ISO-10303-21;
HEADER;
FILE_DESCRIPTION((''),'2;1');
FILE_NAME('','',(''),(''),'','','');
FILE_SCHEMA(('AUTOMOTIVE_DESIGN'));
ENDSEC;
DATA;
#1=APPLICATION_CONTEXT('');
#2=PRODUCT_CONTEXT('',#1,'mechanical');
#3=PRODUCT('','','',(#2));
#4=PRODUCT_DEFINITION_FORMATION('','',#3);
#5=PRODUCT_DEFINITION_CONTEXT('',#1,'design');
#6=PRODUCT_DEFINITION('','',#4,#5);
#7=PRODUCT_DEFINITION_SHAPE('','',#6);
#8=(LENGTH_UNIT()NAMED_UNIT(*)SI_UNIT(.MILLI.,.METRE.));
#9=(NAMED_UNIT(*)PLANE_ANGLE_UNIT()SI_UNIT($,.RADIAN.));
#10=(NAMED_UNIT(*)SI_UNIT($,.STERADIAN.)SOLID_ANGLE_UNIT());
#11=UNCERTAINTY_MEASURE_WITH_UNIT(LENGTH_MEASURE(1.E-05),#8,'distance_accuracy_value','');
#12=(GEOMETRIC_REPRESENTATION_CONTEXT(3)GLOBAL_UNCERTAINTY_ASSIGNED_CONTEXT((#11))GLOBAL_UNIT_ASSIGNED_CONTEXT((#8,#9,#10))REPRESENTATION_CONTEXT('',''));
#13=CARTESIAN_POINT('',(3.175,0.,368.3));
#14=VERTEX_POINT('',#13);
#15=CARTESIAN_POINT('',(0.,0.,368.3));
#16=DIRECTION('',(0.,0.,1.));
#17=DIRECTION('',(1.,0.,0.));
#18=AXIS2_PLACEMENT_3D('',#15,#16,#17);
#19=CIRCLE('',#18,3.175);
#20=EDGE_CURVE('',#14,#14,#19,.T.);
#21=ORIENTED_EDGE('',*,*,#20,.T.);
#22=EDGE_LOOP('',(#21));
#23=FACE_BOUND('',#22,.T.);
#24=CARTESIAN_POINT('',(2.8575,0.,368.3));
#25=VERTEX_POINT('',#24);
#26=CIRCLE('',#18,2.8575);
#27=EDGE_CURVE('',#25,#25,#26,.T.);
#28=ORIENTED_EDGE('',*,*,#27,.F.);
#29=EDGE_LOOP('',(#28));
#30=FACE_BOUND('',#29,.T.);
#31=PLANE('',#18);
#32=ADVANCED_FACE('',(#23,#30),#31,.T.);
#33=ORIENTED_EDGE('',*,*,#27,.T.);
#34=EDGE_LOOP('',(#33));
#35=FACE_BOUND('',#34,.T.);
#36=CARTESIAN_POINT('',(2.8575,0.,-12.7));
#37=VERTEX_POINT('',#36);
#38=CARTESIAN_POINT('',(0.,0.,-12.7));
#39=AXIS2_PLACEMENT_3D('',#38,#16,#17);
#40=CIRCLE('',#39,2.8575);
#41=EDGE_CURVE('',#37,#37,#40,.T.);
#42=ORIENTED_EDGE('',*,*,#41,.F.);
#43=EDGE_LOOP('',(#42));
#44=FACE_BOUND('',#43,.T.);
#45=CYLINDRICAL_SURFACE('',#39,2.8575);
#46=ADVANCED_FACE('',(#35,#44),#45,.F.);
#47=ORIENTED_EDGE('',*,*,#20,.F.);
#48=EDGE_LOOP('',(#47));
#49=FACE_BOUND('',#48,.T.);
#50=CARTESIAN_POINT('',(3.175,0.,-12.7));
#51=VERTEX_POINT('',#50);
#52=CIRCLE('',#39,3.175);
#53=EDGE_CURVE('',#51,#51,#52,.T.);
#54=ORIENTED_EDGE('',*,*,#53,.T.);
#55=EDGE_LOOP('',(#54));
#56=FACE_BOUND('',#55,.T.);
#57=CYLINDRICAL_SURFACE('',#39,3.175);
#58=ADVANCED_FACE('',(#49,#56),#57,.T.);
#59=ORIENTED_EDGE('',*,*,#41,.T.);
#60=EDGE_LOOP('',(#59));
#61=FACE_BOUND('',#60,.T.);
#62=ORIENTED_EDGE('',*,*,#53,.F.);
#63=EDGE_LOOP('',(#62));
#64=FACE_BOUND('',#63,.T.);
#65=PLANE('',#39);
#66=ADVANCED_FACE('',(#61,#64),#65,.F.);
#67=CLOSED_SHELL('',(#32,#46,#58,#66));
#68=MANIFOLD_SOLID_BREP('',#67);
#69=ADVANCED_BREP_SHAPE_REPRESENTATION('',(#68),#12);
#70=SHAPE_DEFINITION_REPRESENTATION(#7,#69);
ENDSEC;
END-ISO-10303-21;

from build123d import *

# Parameters (mm, degrees)
BOSS_EXTRUDE1_DEPTH      = 368.3
BOSS_EXTRUDE1_DEPTH_BACK = 12.7
SKETCH1_R                = 3.175
SKETCH1_R_2              = 2.8575


with BuildPart() as part:
    # Sketch1 → Boss-Extrude1 (new, two sides: drawn at the far end of the back side and taken through both)
    with BuildSketch(Plane.XY.offset(-BOSS_EXTRUDE1_DEPTH_BACK)):
        Circle(SKETCH1_R)
        Circle(SKETCH1_R_2, mode=Mode.SUBTRACT)
    extrude(amount=BOSS_EXTRUDE1_DEPTH + BOSS_EXTRUDE1_DEPTH_BACK)


solid = part.part
